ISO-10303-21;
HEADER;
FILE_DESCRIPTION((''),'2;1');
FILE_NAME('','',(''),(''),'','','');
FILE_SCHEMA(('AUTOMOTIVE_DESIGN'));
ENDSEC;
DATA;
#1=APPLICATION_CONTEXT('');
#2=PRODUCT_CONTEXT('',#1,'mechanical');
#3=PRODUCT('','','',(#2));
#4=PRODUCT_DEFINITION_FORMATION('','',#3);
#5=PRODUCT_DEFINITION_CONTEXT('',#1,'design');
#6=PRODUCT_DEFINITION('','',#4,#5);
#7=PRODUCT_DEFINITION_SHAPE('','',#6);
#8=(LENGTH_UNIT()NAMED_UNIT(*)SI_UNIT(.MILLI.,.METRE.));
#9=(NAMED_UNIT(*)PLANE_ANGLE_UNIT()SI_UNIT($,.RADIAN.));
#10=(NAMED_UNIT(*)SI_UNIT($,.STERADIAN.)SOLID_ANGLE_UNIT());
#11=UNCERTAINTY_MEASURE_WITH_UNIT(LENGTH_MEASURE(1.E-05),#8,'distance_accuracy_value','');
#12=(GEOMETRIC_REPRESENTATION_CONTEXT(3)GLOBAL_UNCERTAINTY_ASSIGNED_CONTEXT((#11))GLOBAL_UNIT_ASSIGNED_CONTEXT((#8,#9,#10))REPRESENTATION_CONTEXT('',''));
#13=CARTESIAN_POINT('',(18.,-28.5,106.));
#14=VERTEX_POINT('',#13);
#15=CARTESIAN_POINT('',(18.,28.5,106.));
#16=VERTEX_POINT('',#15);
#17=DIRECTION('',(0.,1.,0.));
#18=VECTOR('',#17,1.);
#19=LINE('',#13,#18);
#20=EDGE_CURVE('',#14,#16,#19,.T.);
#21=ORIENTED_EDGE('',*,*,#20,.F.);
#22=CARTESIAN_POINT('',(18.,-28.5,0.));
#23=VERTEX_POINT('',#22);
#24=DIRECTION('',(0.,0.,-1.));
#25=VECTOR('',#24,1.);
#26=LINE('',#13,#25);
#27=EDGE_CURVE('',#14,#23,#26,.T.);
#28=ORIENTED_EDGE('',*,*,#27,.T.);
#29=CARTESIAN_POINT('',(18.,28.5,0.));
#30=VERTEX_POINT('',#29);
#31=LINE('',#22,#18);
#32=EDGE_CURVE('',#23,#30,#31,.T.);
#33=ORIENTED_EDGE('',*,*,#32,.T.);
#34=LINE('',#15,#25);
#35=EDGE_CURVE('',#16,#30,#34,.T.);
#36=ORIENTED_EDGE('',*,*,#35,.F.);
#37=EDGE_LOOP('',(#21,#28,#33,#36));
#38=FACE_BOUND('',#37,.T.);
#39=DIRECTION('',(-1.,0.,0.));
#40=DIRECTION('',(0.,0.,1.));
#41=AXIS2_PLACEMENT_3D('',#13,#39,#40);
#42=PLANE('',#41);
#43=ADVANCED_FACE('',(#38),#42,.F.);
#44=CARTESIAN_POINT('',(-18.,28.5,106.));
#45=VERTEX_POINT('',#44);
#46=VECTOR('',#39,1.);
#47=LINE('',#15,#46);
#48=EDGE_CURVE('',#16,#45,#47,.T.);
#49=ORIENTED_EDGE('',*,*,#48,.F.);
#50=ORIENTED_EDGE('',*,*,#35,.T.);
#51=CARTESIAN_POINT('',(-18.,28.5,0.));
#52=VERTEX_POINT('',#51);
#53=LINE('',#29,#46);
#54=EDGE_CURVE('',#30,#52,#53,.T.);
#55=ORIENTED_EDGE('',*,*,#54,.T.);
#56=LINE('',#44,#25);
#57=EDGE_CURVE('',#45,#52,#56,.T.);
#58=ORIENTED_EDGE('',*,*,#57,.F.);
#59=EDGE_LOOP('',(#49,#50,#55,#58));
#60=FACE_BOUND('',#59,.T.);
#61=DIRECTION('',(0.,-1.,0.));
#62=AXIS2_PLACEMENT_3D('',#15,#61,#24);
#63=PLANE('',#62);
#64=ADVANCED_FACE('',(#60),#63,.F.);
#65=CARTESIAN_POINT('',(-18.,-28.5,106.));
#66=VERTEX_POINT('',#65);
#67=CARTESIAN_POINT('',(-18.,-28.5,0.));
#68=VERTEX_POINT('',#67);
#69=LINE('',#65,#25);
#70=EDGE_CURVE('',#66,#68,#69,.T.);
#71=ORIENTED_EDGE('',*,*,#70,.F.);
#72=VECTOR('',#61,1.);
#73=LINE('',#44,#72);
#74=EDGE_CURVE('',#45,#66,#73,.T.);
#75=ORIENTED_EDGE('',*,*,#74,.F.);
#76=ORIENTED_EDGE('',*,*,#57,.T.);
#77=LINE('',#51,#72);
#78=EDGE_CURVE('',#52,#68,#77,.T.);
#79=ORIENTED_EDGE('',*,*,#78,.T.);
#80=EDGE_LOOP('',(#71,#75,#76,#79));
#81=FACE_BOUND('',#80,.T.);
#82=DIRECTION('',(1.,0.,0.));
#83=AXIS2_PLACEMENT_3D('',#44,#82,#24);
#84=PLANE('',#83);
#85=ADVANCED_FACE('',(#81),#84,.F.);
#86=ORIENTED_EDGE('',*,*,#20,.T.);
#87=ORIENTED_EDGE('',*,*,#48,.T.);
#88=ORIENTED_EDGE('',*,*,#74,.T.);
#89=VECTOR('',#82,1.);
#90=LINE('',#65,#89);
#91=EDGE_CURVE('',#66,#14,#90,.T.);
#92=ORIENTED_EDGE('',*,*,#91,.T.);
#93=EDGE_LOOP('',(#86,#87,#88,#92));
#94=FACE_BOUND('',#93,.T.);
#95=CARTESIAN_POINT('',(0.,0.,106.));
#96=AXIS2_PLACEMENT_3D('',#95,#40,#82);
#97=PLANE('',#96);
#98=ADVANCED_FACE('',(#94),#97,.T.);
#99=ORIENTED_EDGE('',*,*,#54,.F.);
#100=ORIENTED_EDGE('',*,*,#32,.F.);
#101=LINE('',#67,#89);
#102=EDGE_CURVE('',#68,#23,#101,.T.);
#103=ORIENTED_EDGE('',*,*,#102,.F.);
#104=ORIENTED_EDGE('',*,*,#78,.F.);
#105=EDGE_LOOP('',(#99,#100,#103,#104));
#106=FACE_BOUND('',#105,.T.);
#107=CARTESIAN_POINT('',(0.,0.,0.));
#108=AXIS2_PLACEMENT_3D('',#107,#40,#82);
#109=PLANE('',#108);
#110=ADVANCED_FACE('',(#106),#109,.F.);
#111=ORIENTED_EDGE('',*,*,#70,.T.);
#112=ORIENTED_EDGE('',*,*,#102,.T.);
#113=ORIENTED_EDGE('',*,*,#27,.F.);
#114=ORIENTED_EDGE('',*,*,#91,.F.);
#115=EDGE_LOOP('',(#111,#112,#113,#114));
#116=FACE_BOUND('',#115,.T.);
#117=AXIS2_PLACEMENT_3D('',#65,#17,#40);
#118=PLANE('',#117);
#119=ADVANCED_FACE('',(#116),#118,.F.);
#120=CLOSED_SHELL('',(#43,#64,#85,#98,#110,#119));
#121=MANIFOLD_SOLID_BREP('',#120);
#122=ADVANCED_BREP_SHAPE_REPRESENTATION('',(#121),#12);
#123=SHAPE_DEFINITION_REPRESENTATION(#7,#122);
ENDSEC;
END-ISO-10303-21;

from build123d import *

# Parameters (mm, degrees)
SKETCH_1_W      = 36
SKETCH_1_H      = 57
EXTRUDE_1_DEPTH = 106


with BuildPart() as part:
    # 草圖1 → 填料-伸長1 (new body)
    with BuildSketch(Plane.XY):
        Rectangle(SKETCH_1_W, SKETCH_1_H)
    extrude(amount=EXTRUDE_1_DEPTH)


solid = part.part
